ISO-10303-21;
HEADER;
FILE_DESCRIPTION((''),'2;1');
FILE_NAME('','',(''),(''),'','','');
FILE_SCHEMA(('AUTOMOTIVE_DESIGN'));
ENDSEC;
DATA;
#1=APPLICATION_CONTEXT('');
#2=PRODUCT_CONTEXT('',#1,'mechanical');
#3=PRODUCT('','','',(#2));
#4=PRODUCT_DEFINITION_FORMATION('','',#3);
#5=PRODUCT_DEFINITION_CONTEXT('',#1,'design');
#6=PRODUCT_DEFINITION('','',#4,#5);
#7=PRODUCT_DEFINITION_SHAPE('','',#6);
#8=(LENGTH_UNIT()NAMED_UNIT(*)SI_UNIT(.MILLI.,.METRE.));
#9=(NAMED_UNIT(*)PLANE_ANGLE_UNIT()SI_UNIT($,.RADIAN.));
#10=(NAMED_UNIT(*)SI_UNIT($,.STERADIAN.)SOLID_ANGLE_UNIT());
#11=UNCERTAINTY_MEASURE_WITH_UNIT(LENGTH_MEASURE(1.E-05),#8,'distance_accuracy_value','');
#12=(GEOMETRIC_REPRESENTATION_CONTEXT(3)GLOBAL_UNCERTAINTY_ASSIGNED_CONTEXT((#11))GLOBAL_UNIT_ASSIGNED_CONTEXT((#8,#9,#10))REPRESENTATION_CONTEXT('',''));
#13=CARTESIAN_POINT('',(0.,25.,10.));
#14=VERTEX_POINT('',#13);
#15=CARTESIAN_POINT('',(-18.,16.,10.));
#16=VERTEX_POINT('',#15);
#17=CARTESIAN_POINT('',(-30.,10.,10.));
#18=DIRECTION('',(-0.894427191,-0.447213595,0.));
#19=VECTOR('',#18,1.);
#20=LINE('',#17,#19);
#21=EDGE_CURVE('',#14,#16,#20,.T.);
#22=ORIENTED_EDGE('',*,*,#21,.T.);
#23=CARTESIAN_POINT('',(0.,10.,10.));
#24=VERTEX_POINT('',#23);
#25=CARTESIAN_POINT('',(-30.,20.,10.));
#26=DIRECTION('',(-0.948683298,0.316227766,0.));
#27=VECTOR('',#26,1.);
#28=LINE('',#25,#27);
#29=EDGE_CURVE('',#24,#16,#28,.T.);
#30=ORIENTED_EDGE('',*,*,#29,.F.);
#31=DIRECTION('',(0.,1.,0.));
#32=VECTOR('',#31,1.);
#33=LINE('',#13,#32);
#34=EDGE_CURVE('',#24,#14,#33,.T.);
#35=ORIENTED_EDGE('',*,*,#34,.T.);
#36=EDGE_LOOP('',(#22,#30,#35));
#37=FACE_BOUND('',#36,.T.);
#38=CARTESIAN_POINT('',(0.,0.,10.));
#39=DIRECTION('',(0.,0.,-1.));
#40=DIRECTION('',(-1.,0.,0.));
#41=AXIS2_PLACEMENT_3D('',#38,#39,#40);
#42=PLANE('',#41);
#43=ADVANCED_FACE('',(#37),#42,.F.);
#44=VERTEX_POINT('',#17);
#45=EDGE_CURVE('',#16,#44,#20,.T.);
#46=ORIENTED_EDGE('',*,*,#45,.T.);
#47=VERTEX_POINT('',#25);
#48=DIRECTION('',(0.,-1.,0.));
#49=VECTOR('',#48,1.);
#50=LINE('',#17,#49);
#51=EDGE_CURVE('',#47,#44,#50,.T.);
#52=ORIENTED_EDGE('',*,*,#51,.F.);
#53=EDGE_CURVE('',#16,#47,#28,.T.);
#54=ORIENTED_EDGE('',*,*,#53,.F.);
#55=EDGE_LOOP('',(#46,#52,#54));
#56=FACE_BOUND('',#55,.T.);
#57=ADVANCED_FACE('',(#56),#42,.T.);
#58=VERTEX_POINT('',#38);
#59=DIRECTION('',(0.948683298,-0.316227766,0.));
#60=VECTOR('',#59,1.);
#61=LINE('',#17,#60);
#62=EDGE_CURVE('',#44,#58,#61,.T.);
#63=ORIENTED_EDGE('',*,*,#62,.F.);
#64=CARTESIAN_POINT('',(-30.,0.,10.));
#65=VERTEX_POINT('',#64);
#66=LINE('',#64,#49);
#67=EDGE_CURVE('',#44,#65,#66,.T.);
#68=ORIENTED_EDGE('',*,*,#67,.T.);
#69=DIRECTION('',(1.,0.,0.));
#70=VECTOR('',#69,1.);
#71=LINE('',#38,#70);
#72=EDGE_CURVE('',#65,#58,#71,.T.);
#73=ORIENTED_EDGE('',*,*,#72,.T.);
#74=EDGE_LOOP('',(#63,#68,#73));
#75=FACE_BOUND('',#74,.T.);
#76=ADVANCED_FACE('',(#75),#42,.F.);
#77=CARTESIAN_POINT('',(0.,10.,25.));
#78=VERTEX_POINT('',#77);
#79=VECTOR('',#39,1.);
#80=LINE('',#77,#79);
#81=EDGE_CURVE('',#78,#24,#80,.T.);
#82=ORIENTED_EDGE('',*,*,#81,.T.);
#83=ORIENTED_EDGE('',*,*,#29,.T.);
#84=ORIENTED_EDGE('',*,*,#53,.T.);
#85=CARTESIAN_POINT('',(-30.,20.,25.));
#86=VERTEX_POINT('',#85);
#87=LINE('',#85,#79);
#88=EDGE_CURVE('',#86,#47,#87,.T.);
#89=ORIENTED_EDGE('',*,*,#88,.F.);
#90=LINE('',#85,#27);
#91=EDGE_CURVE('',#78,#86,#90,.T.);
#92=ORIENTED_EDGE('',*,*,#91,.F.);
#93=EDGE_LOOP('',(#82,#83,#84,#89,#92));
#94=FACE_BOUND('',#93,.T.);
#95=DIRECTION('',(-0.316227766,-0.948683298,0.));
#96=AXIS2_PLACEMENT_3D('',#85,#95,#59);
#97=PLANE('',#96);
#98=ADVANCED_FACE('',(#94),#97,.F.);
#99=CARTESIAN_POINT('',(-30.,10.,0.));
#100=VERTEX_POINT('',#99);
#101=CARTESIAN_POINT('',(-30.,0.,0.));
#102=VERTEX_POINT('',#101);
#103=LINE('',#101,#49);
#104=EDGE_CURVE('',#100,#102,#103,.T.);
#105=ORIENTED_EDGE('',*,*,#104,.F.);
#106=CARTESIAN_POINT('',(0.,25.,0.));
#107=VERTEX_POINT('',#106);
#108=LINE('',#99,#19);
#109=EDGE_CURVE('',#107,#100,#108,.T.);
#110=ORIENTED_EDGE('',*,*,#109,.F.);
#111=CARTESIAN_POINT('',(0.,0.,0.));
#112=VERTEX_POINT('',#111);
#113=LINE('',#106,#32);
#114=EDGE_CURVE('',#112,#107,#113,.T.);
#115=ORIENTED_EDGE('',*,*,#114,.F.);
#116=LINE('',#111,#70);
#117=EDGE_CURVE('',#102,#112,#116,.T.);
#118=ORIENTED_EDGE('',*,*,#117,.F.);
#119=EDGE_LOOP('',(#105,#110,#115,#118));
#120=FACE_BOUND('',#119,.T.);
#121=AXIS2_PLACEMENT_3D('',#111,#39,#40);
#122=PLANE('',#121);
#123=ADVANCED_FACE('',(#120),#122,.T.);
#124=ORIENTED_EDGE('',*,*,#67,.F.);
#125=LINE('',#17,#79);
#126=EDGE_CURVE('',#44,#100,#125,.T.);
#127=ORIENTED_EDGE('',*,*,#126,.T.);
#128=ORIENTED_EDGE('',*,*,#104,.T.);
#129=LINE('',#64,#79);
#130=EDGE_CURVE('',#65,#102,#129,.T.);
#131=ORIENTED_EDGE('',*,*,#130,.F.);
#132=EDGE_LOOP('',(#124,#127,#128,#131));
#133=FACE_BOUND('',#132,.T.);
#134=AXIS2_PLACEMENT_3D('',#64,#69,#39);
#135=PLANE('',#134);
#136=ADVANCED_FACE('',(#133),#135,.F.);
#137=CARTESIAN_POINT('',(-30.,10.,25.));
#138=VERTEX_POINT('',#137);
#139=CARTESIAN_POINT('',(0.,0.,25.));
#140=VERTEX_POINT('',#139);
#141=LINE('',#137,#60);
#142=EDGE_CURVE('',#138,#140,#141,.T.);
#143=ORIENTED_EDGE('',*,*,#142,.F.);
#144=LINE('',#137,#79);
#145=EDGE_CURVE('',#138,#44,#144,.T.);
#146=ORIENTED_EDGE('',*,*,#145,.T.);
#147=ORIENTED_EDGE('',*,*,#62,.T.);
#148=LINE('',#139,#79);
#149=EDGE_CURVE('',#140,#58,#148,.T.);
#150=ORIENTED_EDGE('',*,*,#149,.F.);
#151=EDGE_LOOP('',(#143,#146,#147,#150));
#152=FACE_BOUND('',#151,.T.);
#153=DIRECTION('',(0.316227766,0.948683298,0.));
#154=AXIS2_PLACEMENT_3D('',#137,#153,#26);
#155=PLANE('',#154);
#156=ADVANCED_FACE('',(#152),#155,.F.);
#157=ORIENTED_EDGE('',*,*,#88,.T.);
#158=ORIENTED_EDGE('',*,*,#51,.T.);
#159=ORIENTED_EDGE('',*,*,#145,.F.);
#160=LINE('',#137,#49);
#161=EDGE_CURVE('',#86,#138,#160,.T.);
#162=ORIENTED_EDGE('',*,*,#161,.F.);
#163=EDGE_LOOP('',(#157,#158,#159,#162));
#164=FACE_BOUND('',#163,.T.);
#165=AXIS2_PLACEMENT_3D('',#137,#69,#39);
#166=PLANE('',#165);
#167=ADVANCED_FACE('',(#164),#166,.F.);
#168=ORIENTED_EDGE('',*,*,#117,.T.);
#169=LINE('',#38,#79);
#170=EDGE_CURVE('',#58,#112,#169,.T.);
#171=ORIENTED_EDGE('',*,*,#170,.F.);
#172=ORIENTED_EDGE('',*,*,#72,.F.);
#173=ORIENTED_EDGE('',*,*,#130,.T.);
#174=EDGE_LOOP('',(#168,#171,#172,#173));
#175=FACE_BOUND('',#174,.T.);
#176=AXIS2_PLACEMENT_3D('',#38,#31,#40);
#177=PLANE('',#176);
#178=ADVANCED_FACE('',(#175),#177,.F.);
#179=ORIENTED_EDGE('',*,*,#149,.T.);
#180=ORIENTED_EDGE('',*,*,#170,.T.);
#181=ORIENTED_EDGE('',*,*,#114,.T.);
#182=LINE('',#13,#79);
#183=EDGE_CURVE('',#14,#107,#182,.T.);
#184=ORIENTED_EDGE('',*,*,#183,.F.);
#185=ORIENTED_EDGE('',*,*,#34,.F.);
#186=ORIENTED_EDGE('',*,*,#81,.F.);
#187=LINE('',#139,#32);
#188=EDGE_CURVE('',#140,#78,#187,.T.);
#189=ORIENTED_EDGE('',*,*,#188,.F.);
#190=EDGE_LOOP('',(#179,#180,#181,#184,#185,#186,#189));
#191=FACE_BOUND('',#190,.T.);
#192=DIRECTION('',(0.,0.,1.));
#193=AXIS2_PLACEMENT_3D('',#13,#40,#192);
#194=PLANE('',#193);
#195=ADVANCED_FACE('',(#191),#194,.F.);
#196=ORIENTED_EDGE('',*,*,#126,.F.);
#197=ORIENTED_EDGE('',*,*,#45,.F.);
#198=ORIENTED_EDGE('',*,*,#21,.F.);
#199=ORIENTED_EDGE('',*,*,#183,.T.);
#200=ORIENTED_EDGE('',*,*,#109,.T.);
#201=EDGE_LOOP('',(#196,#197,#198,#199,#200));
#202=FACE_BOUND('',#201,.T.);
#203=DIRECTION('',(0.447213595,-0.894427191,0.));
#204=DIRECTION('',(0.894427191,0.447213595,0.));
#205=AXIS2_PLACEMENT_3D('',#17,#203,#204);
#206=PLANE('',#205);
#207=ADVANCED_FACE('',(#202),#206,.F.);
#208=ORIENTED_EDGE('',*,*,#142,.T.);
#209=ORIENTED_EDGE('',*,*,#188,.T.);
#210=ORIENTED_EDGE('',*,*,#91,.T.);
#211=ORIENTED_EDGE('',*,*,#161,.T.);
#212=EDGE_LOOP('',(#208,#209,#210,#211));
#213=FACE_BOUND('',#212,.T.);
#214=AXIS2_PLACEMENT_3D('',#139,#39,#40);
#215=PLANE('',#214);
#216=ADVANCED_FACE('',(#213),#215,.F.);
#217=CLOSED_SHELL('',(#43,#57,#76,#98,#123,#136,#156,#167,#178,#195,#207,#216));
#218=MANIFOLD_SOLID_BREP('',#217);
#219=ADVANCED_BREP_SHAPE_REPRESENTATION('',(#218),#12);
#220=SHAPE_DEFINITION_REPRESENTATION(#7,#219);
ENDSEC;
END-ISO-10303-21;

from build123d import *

# Parameters (mm, degrees)
BOSS_EXTRUDE1_DEPTH = 10
BOSS_EXTRUDE4_DEPTH = 15


with BuildPart() as part:
    # Sketch1 → Boss-Extrude1 (new body)
    with BuildSketch(Plane.XY):
        Polygon((0, 0), (-30, 0), (-30, 10), (0, 25), align=None)
    extrude(amount=BOSS_EXTRUDE1_DEPTH)

    # Sketch2 → Boss-Extrude4 (add)
    with BuildSketch(Plane.XY.offset(10)):
        Polygon((-30, 10), (0, 0), (0, 10), (-30, 20), align=None)
    extrude(amount=BOSS_EXTRUDE4_DEPTH)


solid = part.part
